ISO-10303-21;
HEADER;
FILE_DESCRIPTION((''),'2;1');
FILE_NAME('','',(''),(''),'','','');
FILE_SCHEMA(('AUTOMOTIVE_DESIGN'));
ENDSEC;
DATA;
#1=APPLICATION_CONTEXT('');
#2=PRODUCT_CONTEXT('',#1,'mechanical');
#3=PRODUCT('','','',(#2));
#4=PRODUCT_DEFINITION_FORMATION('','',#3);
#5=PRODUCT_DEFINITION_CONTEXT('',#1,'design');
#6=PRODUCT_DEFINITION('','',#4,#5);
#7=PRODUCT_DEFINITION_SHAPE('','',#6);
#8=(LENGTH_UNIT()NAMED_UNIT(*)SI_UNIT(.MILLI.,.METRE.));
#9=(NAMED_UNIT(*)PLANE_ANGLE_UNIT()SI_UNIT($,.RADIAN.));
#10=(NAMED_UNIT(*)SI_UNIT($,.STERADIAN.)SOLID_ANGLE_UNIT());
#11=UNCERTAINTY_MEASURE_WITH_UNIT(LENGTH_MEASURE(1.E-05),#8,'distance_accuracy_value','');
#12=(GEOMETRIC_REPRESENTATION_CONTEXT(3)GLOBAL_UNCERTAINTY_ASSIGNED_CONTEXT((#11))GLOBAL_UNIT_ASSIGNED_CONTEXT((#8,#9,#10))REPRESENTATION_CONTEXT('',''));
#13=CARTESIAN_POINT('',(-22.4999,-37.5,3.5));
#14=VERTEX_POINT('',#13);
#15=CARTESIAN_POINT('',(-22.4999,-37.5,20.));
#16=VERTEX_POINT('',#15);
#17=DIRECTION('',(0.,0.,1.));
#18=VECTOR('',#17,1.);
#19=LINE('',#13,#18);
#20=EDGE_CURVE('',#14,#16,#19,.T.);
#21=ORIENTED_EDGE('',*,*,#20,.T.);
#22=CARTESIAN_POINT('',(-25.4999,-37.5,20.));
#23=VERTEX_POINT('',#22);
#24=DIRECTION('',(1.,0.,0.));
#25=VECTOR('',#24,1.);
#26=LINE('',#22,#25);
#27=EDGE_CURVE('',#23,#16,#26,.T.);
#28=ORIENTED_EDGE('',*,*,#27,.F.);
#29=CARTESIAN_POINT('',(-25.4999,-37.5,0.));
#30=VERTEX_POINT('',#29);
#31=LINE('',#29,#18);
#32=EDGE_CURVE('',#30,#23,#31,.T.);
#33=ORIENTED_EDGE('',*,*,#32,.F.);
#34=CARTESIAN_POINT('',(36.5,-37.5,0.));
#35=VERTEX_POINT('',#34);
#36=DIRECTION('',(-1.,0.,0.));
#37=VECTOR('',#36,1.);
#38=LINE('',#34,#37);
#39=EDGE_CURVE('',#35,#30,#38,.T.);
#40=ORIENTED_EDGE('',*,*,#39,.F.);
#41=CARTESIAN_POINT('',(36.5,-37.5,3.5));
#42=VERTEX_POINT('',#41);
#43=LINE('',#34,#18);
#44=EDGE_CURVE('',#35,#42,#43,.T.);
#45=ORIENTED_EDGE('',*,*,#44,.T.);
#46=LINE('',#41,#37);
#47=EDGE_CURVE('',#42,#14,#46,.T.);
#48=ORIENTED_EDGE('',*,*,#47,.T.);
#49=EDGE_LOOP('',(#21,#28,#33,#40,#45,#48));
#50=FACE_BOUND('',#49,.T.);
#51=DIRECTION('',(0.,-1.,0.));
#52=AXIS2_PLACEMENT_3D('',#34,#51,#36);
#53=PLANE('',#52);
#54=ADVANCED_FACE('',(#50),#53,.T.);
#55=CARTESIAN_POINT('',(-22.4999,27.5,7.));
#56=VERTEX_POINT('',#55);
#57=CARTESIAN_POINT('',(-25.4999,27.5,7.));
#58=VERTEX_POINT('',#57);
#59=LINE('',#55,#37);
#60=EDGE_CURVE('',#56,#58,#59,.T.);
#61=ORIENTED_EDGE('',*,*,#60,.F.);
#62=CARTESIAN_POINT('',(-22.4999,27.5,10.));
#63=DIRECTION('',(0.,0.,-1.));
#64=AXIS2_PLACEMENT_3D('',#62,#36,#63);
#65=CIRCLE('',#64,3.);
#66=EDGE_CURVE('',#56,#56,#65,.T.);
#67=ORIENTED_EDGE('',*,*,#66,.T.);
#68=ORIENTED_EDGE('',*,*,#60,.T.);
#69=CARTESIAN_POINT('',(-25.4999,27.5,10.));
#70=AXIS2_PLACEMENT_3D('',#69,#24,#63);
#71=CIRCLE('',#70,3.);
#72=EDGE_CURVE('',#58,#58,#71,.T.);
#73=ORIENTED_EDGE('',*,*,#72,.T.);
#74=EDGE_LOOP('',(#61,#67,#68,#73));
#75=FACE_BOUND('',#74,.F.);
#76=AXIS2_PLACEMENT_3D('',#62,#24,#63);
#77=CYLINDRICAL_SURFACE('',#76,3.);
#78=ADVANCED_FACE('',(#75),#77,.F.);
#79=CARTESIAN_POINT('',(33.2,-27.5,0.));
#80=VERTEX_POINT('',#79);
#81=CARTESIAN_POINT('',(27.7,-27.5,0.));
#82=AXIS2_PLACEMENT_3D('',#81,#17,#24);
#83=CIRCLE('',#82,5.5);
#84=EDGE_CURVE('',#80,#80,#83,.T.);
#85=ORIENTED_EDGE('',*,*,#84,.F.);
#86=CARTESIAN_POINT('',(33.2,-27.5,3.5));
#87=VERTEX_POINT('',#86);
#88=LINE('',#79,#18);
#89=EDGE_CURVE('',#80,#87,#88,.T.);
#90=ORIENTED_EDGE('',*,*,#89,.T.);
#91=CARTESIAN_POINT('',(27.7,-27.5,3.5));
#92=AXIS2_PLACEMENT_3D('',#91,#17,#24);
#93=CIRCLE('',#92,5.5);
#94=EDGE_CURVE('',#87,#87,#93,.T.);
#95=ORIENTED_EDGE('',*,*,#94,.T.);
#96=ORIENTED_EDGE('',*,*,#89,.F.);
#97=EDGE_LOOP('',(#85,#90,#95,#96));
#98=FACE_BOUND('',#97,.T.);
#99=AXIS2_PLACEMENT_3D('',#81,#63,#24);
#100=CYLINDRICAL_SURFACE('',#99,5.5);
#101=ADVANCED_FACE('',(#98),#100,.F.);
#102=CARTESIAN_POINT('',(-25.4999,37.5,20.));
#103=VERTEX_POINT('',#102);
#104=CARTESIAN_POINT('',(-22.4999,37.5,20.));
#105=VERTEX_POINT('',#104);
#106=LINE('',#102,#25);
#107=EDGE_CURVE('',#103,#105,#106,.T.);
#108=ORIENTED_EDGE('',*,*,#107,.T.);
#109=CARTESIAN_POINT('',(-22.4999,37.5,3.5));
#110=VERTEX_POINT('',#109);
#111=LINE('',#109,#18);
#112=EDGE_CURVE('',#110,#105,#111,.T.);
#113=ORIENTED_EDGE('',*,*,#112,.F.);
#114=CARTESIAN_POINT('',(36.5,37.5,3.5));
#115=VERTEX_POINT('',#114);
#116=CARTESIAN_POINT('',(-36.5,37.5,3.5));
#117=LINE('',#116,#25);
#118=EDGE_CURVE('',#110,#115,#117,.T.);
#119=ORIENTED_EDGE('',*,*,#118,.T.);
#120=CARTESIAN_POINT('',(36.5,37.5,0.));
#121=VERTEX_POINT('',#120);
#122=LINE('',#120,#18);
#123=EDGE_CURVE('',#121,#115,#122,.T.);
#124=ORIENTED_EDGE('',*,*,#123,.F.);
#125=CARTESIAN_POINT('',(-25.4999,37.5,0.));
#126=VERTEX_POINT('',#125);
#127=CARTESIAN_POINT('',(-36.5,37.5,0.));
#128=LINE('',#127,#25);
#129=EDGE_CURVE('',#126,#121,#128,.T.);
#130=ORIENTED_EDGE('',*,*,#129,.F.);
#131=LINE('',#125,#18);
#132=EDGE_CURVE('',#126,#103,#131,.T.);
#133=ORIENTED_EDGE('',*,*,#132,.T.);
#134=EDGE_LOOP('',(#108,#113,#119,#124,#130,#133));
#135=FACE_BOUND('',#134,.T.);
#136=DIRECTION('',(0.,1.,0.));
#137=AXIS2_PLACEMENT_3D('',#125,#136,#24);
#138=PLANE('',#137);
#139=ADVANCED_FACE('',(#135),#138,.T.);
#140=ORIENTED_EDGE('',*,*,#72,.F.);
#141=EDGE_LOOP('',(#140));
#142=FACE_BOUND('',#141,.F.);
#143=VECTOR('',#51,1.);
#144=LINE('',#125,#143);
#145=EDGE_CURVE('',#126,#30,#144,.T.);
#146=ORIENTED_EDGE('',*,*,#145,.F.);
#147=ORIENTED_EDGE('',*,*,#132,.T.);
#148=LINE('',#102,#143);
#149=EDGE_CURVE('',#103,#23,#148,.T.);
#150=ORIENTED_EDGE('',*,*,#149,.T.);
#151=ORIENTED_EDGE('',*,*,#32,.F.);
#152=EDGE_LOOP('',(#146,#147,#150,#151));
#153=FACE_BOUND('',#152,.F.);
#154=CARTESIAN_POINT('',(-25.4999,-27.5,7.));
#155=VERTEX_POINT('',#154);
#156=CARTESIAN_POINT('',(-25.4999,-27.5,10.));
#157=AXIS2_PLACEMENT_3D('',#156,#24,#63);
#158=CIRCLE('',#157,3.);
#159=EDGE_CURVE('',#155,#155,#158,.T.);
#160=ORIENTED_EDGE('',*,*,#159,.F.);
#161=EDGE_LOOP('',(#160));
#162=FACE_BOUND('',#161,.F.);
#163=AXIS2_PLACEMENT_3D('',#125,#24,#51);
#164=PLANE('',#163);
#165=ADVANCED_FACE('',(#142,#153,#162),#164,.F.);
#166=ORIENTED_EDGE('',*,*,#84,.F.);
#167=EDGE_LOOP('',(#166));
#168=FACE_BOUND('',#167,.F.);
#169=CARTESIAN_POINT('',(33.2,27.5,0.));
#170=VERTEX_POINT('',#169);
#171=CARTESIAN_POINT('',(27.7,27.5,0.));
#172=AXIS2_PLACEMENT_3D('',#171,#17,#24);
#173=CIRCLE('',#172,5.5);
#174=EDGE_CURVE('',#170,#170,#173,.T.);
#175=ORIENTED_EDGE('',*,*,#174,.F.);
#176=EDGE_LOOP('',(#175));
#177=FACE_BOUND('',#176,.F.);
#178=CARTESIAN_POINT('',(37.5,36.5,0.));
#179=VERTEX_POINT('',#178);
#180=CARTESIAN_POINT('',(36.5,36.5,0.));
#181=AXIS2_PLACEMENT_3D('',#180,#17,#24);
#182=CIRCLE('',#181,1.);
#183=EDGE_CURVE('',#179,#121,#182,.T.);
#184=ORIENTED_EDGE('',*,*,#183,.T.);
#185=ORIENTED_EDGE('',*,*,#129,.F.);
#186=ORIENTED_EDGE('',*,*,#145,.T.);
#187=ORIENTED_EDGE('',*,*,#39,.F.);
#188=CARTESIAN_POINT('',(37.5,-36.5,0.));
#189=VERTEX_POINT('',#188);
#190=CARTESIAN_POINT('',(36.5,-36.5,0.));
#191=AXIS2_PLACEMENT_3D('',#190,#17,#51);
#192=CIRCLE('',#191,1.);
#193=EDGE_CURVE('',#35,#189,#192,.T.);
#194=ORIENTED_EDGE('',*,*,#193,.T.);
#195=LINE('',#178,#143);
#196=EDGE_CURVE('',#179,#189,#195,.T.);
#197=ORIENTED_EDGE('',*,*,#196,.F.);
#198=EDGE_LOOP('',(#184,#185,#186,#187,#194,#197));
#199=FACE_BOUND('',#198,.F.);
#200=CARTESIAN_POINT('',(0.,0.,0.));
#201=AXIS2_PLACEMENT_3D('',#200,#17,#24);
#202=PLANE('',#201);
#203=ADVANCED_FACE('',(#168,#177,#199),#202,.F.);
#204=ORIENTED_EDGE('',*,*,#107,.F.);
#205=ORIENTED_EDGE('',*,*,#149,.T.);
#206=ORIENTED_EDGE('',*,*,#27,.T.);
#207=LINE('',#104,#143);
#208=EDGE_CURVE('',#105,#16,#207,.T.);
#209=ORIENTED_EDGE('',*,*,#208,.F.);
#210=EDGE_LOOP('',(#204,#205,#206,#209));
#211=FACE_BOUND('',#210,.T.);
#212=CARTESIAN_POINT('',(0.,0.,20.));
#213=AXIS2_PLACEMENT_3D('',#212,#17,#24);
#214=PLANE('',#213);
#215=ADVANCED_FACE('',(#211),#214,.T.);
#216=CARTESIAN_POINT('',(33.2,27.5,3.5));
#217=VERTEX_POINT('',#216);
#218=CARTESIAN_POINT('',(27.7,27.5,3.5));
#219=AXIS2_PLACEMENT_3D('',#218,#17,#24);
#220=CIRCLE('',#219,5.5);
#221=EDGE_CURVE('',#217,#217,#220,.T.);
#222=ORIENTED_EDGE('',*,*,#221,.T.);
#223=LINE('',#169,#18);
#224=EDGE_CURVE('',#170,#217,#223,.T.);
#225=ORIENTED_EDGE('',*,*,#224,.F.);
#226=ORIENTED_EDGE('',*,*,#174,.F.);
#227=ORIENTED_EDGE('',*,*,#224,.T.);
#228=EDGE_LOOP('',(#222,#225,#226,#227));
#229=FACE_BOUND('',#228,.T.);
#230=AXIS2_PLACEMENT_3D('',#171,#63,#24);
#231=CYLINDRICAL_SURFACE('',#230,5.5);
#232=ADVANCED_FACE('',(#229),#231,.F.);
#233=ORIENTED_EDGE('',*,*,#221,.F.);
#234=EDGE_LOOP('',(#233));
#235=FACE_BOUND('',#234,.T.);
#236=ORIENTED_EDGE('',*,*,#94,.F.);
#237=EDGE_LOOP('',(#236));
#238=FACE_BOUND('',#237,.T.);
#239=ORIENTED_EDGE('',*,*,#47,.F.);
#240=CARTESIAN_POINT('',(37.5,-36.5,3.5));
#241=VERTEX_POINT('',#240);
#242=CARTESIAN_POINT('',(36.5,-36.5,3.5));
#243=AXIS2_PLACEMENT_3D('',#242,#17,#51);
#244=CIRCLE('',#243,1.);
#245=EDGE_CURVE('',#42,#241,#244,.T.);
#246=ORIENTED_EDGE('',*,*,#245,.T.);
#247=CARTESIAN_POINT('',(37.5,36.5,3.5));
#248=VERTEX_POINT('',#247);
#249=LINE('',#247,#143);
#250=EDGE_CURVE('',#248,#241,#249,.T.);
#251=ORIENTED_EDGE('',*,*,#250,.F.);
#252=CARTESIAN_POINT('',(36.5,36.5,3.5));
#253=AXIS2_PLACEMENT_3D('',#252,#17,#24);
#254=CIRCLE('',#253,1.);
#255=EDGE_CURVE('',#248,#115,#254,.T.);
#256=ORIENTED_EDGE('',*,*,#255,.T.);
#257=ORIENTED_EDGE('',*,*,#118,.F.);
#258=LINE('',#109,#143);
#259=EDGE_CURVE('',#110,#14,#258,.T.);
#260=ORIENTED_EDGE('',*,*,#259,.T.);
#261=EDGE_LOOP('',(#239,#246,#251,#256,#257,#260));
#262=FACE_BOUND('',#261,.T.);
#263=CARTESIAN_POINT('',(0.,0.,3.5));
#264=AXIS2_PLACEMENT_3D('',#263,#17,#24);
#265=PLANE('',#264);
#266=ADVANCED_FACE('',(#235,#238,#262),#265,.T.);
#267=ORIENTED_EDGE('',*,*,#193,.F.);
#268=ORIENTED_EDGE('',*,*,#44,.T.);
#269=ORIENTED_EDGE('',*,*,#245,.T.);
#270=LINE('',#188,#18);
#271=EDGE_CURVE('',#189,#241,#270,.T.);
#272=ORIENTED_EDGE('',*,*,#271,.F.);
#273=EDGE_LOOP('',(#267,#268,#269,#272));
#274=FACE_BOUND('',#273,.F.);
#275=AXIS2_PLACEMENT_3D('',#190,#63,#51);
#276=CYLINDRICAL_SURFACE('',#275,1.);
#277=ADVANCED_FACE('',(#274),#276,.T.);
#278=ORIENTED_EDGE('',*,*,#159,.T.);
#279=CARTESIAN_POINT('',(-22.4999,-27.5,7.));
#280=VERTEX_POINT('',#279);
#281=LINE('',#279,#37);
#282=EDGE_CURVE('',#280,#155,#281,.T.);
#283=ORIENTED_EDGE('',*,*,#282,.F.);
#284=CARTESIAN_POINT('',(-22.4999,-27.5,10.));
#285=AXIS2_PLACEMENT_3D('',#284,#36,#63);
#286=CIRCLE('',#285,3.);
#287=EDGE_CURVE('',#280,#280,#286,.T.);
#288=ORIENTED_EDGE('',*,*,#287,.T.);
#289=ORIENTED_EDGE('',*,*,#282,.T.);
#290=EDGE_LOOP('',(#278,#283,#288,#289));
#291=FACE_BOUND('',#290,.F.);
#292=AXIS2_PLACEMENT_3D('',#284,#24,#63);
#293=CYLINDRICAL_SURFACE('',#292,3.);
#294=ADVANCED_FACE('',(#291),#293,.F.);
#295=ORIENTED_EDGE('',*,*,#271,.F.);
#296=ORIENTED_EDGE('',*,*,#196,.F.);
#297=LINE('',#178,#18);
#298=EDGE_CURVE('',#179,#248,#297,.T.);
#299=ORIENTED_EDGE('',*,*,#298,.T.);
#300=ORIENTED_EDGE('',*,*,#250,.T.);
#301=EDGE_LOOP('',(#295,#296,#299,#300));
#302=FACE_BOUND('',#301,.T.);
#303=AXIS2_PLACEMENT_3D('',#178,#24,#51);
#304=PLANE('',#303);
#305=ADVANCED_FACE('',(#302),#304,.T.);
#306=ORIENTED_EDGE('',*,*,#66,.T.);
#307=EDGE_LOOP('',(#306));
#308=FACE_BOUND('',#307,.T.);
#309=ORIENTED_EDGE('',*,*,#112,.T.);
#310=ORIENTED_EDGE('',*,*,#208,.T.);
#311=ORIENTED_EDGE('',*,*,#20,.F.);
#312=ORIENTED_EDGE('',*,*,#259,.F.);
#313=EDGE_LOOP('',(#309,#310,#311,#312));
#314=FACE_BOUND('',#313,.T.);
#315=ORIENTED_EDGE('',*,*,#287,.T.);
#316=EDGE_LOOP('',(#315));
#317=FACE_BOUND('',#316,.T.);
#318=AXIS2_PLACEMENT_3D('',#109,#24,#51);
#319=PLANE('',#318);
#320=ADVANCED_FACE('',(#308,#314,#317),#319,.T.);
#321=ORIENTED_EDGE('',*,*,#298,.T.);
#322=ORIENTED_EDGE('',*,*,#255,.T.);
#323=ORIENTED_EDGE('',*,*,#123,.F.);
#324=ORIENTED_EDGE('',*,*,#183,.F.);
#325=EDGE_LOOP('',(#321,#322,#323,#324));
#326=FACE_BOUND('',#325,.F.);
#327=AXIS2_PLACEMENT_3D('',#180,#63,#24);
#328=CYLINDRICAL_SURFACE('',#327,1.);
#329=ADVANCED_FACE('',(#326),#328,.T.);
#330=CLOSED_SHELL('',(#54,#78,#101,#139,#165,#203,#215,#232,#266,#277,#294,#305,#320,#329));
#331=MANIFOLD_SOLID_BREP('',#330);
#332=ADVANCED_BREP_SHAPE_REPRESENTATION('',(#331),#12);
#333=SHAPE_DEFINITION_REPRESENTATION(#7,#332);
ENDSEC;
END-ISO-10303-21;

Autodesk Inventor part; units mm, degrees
ref_plane "YZ Plane" through (0, 0, 0) normal (1, 0, 0) x (0, 1, 0)
ref_plane "XZ Plane" through (0, 0, 0) normal (0, 1, 0) x (-1, 0, 0)
ref_plane "Work Plane1" through (0, 0, 0) normal (0, 0, 1) x (1, 0, 0)
sketch "Sketch1" plane through (0, 0, 0) normal (0, 0, 1) x (1, 0, 0)
  line L0 (-36.5, 37.5) -> (36.5, 37.5)
  arc A0 (37.5, 36.5) -> (36.5, 37.5) centre (36.5, 36.5) ccw
  line L1 (37.5, 36.5) -> (37.5, -36.5)
  line L2 (36.5, -37.5) -> (-36.5, -37.5)
  arc A1 (36.5, -37.5) -> (37.5, -36.5) centre (36.5, -36.5) ccw
  line L3 (37.5, 37.5) -> (-25.4999, 37.5)
  line L4 (-25.4999, 37.5) -> (-25.4999, -37.5)
  line L5 (-25.4999, -37.5) -> (37.5, -37.5)
  line L6 (37.5, -37.5) -> (37.5, 37.5)
  circle A2 centre (27.7, 27.5) radius 5.5
  circle A3 centre (27.7, -27.5) radius 5.5
  point P0 (0, 0)
  point P1 (-25.4999, 37.5)
extrude "Extrusion1" add sketch "Sketch1" along normal blind 3.5 contours L0 A0 L1 A1 L2 L4
sketch "Sketch2" plane through (0, 0, 3.5) normal (0, 0, 1) x (1, 0, 0)
  line L0 (-25.4999, 37.5) -> (-25.4999, -37.5) projected
  line L1 (-25.4999, -37.5) -> (36.5, -37.5) projected
  line L2 (-25.4999, 37.5) -> (-22.4999, 37.5)
  line L3 (-22.4999, 37.5) -> (-22.4999, -37.5)
  line L4 (-22.4999, -37.5) -> (-25.4999, -37.5)
  line L5 (-25.4999, -37.5) -> (-25.4999, 37.5)
  point P0 (0, 0)
  dimension "d2" = 3
ref_plane "Work Plane2" through (-30.7961, -197.5, 20) normal (0, 0, 1) x (1, 0, 0)
extrude "Extrusion2" add sketch "Sketch2" along normal blind 16.5
sketch "Sketch3" plane through (-22.4999, -37.5, 3.5) normal (1, 0, 0) x (0, 0, -1)
  circle A0 centre (-6.5, 65) radius 3
  circle A1 centre (-6.5, 10) radius 3
  line L0 (-6.5, 10) -> (-6.5, 65)
  line L1 (0, 75) -> (-16.5, 75) projected
  line L2 (0, 0) -> (-16.5, 0) projected
  line L3 (-16.5, 0) -> (-16.5, 75) projected
  point P0 (3.5, 37.5)
  point P1 (-6.5, 37.5)
  dimension "d5" = 6
  dimension "d6" = 6
  dimension "d7" = 10
  dimension "d8" = 10
  dimension "d9" = 10
extrude "Extrusion3" cut sketch "Sketch3" against normal blind 16.5
properties part number "BackPistonSupport Top"
